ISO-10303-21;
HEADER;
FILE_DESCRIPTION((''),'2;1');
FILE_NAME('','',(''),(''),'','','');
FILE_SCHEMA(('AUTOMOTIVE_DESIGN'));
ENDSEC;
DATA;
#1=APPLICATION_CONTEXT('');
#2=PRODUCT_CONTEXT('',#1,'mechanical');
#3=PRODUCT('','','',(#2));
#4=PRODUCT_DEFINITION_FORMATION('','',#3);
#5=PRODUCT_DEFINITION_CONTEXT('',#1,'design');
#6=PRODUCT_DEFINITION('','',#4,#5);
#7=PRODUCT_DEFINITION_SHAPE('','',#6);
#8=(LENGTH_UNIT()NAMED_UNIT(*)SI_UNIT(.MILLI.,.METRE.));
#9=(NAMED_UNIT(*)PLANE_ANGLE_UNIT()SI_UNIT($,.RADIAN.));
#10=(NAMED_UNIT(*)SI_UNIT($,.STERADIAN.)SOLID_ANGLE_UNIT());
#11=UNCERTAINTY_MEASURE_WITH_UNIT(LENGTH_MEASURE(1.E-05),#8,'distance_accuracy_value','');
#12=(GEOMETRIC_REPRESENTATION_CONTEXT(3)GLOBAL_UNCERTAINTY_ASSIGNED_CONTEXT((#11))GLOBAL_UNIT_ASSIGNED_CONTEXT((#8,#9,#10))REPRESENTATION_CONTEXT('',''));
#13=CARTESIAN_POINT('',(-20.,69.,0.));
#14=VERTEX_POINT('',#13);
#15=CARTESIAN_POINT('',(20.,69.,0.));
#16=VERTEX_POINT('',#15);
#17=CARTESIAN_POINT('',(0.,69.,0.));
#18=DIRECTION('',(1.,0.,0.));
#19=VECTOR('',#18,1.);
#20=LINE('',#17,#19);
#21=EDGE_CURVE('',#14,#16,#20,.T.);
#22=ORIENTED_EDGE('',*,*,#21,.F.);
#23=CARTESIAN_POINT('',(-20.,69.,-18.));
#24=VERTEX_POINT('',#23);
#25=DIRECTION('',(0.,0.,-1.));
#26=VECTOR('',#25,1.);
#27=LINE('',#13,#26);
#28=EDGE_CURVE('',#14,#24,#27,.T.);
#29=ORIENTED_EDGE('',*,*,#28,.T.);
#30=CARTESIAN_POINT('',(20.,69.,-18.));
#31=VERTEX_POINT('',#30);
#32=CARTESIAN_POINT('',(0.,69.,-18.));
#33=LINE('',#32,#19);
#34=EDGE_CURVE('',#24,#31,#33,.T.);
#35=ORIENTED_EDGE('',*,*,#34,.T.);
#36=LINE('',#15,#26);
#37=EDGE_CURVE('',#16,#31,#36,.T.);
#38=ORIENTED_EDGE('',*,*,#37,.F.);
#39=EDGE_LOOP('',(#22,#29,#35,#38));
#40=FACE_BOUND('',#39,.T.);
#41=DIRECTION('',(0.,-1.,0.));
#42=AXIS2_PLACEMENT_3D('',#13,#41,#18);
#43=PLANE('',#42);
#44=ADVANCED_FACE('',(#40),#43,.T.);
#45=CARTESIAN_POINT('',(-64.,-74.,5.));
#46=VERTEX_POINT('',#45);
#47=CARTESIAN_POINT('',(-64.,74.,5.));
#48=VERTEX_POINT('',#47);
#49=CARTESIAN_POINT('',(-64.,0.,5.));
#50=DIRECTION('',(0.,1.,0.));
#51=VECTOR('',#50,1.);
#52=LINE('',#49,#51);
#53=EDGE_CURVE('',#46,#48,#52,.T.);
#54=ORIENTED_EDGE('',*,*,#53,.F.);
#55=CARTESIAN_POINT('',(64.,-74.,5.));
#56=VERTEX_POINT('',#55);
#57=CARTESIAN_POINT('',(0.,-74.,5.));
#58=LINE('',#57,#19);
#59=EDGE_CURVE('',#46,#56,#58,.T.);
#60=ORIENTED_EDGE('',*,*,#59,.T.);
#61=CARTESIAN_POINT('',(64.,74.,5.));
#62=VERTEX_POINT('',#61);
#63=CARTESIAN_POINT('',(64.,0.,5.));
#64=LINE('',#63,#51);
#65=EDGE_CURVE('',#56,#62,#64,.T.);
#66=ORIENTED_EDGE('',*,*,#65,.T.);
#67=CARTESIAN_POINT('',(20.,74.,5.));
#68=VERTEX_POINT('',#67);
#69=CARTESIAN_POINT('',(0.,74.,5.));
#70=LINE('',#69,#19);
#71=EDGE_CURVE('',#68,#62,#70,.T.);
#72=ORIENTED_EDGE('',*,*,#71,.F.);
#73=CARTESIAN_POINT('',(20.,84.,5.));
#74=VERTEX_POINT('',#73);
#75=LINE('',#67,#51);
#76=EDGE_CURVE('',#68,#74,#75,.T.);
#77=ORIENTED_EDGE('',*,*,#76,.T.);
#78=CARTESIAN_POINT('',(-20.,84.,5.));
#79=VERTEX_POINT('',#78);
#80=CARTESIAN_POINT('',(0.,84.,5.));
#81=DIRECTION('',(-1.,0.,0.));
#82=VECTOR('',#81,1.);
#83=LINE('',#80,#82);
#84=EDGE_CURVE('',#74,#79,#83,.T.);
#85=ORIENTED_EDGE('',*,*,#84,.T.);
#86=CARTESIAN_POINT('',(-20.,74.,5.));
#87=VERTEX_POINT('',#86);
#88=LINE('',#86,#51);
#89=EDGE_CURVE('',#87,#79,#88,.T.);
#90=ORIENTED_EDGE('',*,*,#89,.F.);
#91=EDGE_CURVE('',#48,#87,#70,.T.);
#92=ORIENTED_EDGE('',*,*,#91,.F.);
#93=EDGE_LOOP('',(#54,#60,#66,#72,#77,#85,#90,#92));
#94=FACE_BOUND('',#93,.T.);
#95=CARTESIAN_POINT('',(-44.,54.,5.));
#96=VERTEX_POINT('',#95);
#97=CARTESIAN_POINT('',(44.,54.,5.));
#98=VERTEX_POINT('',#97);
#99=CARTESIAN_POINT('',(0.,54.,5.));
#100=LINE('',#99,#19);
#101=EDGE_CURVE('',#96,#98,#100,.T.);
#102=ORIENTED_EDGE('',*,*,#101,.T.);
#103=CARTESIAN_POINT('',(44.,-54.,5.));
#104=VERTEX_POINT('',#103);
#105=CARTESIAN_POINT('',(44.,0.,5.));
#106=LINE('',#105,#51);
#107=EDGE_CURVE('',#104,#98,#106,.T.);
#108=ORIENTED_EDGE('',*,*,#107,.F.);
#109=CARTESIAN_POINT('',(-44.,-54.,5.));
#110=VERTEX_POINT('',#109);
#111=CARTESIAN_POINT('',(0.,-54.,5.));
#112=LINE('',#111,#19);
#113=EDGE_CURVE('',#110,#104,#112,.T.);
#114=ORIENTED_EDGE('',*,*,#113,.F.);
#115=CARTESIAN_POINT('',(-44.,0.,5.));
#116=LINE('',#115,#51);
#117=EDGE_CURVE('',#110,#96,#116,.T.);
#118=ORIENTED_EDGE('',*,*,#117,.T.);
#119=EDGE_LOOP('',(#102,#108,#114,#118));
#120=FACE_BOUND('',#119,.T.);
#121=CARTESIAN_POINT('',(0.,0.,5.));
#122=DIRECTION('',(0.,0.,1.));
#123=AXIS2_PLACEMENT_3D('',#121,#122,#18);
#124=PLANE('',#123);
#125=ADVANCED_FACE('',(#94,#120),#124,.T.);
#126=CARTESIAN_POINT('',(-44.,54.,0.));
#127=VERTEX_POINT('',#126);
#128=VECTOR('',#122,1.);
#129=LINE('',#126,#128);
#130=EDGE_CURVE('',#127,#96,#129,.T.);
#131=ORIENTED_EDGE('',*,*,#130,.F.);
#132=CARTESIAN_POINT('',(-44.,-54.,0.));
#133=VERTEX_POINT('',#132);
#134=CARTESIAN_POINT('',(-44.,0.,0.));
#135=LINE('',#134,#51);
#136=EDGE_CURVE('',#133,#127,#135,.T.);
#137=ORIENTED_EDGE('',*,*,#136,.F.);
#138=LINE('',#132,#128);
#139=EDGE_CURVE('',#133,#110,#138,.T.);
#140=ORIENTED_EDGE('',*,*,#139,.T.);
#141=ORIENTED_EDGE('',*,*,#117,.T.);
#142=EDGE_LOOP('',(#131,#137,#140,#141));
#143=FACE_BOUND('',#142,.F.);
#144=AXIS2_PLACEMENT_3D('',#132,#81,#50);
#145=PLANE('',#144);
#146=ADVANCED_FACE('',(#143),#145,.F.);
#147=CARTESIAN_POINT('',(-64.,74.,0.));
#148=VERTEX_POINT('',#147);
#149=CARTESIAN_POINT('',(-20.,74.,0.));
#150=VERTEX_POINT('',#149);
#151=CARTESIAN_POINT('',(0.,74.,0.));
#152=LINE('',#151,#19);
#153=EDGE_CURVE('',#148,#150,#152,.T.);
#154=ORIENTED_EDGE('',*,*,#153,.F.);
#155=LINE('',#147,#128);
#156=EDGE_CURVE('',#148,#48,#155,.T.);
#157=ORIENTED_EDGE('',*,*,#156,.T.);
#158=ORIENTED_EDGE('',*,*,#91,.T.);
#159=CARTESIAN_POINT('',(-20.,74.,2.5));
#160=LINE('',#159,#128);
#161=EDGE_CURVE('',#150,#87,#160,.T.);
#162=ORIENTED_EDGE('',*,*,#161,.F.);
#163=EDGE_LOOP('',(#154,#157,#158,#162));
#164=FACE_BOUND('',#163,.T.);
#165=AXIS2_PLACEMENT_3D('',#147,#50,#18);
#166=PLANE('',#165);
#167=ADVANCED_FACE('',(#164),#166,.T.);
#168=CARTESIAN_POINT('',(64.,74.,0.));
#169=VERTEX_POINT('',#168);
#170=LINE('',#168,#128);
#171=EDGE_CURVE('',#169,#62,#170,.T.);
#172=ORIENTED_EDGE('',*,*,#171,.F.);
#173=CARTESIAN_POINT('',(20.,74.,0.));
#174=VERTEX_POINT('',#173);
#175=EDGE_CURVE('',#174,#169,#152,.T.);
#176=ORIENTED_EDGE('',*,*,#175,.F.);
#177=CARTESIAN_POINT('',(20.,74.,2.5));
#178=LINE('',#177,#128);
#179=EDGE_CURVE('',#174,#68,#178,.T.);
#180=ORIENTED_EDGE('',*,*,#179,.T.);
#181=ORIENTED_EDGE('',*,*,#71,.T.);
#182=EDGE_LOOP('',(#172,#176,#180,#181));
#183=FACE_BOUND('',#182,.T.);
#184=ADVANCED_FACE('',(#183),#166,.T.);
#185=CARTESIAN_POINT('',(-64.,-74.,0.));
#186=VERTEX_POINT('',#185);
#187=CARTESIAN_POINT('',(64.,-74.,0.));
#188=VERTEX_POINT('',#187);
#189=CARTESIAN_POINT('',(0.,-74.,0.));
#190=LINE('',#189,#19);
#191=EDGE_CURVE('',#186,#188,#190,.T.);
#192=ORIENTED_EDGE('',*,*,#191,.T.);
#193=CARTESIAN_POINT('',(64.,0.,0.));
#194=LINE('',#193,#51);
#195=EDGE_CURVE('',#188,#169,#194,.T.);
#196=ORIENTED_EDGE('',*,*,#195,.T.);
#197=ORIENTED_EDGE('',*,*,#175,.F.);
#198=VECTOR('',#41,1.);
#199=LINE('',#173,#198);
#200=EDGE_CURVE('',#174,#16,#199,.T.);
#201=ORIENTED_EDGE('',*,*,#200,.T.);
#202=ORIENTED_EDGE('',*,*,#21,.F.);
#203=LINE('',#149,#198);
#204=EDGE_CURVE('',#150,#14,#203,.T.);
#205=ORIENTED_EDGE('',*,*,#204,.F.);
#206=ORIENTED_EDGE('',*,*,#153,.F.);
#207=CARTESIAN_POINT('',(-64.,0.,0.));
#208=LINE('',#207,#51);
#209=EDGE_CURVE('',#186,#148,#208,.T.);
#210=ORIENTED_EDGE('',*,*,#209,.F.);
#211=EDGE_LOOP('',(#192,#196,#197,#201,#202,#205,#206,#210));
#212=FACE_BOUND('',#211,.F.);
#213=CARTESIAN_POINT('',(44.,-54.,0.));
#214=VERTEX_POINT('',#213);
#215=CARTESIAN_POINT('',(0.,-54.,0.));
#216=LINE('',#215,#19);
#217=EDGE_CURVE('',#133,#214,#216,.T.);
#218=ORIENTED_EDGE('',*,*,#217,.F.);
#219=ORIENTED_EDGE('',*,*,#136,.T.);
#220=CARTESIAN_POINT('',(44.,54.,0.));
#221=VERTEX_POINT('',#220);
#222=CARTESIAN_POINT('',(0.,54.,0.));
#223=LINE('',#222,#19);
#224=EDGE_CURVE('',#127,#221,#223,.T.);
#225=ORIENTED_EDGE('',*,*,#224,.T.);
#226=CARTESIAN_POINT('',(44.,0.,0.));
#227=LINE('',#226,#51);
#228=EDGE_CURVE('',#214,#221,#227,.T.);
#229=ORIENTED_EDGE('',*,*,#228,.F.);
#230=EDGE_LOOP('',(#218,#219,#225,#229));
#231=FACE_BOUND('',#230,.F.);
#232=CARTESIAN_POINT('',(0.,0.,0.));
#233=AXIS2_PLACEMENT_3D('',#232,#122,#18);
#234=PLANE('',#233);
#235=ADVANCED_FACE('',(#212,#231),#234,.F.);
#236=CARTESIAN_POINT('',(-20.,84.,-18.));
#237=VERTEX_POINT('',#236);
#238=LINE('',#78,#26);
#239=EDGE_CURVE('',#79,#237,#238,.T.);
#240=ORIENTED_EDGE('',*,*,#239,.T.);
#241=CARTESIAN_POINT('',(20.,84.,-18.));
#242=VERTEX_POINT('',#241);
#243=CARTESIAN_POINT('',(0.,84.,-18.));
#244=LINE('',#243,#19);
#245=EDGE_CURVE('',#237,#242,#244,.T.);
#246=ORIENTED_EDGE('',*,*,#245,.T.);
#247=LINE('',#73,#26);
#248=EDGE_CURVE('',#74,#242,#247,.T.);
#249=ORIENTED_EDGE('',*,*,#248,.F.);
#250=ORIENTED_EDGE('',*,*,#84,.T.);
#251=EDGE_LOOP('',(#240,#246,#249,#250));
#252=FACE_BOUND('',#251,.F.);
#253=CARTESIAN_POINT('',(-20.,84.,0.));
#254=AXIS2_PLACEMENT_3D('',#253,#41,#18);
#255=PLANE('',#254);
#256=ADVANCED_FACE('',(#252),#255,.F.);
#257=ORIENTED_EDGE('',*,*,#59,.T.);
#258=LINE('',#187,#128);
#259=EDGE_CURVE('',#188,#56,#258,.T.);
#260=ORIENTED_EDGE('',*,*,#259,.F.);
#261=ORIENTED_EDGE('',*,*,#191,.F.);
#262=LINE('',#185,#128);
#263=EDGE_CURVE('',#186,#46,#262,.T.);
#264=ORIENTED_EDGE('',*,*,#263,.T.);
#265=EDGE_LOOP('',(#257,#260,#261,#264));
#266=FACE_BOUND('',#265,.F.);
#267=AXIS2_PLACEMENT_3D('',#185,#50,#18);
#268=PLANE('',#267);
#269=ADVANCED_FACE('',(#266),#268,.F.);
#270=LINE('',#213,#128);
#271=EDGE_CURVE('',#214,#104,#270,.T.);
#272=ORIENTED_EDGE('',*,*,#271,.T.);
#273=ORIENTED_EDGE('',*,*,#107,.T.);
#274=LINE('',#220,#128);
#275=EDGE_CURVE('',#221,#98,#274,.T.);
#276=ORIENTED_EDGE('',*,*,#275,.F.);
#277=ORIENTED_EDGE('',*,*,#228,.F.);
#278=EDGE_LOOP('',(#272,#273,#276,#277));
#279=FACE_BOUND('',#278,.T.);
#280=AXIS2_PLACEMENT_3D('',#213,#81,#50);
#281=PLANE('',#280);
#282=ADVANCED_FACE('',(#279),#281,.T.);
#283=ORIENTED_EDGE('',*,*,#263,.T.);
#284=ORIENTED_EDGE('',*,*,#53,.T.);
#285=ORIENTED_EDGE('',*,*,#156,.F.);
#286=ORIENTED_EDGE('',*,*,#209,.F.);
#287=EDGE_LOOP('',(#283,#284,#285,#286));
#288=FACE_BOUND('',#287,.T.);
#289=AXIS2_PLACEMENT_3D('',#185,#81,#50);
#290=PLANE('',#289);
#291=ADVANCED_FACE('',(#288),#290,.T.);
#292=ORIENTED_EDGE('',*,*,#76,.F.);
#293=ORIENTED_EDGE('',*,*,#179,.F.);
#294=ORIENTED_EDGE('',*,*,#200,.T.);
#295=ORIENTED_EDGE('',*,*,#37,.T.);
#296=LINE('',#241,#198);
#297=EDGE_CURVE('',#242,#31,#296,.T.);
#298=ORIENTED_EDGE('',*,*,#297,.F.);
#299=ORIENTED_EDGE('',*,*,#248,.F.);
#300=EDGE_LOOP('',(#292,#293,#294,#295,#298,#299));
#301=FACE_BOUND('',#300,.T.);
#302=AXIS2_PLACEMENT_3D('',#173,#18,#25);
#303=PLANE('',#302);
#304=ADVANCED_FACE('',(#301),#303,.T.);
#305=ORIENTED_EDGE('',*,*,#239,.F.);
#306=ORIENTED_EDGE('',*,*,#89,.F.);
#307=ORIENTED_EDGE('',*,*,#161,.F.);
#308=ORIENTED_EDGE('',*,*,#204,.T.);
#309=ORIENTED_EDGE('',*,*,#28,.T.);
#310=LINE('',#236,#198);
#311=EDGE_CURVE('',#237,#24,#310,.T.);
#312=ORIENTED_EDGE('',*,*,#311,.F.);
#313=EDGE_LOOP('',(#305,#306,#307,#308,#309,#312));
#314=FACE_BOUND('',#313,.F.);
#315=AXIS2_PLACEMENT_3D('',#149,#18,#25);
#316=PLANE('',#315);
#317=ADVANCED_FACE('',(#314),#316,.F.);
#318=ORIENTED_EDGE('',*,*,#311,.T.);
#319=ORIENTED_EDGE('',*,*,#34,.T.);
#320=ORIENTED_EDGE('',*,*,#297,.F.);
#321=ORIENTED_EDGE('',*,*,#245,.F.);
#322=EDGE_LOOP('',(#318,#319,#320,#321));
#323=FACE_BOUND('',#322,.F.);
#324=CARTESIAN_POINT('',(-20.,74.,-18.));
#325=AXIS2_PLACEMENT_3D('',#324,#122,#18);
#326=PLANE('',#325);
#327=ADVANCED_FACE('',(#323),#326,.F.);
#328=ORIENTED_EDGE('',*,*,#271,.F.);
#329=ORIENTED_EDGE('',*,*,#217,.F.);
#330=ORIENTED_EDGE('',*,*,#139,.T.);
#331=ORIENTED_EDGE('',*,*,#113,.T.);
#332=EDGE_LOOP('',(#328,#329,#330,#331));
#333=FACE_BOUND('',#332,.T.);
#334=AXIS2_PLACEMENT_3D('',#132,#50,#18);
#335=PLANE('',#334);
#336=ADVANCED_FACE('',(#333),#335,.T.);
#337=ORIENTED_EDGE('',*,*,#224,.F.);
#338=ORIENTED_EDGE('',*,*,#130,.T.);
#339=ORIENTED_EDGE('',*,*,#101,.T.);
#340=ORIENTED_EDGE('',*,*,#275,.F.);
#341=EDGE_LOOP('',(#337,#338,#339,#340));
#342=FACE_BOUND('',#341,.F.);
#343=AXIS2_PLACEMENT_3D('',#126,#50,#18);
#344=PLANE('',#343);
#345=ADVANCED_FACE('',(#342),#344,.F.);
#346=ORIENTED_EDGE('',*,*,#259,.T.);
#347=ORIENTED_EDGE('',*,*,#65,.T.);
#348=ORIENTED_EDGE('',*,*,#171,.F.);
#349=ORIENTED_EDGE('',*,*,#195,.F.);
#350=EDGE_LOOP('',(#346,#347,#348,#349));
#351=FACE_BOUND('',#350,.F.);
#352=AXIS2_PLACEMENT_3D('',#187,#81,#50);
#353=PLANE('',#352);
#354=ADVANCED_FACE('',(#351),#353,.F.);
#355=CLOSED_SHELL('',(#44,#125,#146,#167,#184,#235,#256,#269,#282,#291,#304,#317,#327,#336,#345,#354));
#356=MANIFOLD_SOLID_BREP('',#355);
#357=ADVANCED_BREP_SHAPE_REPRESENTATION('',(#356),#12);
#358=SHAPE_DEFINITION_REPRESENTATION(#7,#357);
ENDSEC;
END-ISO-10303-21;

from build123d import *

# Parameters (mm, degrees)
F3_W     = 128
F3_H     = 148
F3_W_2   = 88
F3_H_2   = 108
F4_DEPTH = 5
F5_W     = 40
F5_H     = 5
F6_DEPTH = 10
F7_W     = 40
F7_H     = 10
F8_DEPTH = 18
F9_DEPTH = 5


with BuildPart() as f4:
    # F3 (on Top) → F4 (new body)
    with BuildSketch(Plane.XY):
        Rectangle(F3_W, F3_H)
        Rectangle(F3_W_2, F3_H_2, mode=Mode.SUBTRACT)
    extrude(amount=F4_DEPTH)

    # F5 (on face) → F6 (join)
    with BuildSketch(Plane(origin=(0, 74, 0), x_dir=(-1, 0, 0), z_dir=(0, 1, 0))):
        with Locations((0, 2.5)):
            Rectangle(F5_W, F5_H)
    extrude(amount=F6_DEPTH)

    # F7 (on face) → F8 (join)
    with BuildSketch(Plane(origin=(0, 0, 0), x_dir=(1, 0, 0), z_dir=(0, 0, -1))):
        with Locations((0, -79)):
            Rectangle(F7_W, F7_H)
    extrude(amount=F8_DEPTH)

    # F9 (add): a face of the model
    f9_faces = [f4.faces().sort_by_distance(p)[0] for p in [
        (0, 74, -9),
    ]]
    extrude(f9_faces, amount=F9_DEPTH)


solid = f4.part
